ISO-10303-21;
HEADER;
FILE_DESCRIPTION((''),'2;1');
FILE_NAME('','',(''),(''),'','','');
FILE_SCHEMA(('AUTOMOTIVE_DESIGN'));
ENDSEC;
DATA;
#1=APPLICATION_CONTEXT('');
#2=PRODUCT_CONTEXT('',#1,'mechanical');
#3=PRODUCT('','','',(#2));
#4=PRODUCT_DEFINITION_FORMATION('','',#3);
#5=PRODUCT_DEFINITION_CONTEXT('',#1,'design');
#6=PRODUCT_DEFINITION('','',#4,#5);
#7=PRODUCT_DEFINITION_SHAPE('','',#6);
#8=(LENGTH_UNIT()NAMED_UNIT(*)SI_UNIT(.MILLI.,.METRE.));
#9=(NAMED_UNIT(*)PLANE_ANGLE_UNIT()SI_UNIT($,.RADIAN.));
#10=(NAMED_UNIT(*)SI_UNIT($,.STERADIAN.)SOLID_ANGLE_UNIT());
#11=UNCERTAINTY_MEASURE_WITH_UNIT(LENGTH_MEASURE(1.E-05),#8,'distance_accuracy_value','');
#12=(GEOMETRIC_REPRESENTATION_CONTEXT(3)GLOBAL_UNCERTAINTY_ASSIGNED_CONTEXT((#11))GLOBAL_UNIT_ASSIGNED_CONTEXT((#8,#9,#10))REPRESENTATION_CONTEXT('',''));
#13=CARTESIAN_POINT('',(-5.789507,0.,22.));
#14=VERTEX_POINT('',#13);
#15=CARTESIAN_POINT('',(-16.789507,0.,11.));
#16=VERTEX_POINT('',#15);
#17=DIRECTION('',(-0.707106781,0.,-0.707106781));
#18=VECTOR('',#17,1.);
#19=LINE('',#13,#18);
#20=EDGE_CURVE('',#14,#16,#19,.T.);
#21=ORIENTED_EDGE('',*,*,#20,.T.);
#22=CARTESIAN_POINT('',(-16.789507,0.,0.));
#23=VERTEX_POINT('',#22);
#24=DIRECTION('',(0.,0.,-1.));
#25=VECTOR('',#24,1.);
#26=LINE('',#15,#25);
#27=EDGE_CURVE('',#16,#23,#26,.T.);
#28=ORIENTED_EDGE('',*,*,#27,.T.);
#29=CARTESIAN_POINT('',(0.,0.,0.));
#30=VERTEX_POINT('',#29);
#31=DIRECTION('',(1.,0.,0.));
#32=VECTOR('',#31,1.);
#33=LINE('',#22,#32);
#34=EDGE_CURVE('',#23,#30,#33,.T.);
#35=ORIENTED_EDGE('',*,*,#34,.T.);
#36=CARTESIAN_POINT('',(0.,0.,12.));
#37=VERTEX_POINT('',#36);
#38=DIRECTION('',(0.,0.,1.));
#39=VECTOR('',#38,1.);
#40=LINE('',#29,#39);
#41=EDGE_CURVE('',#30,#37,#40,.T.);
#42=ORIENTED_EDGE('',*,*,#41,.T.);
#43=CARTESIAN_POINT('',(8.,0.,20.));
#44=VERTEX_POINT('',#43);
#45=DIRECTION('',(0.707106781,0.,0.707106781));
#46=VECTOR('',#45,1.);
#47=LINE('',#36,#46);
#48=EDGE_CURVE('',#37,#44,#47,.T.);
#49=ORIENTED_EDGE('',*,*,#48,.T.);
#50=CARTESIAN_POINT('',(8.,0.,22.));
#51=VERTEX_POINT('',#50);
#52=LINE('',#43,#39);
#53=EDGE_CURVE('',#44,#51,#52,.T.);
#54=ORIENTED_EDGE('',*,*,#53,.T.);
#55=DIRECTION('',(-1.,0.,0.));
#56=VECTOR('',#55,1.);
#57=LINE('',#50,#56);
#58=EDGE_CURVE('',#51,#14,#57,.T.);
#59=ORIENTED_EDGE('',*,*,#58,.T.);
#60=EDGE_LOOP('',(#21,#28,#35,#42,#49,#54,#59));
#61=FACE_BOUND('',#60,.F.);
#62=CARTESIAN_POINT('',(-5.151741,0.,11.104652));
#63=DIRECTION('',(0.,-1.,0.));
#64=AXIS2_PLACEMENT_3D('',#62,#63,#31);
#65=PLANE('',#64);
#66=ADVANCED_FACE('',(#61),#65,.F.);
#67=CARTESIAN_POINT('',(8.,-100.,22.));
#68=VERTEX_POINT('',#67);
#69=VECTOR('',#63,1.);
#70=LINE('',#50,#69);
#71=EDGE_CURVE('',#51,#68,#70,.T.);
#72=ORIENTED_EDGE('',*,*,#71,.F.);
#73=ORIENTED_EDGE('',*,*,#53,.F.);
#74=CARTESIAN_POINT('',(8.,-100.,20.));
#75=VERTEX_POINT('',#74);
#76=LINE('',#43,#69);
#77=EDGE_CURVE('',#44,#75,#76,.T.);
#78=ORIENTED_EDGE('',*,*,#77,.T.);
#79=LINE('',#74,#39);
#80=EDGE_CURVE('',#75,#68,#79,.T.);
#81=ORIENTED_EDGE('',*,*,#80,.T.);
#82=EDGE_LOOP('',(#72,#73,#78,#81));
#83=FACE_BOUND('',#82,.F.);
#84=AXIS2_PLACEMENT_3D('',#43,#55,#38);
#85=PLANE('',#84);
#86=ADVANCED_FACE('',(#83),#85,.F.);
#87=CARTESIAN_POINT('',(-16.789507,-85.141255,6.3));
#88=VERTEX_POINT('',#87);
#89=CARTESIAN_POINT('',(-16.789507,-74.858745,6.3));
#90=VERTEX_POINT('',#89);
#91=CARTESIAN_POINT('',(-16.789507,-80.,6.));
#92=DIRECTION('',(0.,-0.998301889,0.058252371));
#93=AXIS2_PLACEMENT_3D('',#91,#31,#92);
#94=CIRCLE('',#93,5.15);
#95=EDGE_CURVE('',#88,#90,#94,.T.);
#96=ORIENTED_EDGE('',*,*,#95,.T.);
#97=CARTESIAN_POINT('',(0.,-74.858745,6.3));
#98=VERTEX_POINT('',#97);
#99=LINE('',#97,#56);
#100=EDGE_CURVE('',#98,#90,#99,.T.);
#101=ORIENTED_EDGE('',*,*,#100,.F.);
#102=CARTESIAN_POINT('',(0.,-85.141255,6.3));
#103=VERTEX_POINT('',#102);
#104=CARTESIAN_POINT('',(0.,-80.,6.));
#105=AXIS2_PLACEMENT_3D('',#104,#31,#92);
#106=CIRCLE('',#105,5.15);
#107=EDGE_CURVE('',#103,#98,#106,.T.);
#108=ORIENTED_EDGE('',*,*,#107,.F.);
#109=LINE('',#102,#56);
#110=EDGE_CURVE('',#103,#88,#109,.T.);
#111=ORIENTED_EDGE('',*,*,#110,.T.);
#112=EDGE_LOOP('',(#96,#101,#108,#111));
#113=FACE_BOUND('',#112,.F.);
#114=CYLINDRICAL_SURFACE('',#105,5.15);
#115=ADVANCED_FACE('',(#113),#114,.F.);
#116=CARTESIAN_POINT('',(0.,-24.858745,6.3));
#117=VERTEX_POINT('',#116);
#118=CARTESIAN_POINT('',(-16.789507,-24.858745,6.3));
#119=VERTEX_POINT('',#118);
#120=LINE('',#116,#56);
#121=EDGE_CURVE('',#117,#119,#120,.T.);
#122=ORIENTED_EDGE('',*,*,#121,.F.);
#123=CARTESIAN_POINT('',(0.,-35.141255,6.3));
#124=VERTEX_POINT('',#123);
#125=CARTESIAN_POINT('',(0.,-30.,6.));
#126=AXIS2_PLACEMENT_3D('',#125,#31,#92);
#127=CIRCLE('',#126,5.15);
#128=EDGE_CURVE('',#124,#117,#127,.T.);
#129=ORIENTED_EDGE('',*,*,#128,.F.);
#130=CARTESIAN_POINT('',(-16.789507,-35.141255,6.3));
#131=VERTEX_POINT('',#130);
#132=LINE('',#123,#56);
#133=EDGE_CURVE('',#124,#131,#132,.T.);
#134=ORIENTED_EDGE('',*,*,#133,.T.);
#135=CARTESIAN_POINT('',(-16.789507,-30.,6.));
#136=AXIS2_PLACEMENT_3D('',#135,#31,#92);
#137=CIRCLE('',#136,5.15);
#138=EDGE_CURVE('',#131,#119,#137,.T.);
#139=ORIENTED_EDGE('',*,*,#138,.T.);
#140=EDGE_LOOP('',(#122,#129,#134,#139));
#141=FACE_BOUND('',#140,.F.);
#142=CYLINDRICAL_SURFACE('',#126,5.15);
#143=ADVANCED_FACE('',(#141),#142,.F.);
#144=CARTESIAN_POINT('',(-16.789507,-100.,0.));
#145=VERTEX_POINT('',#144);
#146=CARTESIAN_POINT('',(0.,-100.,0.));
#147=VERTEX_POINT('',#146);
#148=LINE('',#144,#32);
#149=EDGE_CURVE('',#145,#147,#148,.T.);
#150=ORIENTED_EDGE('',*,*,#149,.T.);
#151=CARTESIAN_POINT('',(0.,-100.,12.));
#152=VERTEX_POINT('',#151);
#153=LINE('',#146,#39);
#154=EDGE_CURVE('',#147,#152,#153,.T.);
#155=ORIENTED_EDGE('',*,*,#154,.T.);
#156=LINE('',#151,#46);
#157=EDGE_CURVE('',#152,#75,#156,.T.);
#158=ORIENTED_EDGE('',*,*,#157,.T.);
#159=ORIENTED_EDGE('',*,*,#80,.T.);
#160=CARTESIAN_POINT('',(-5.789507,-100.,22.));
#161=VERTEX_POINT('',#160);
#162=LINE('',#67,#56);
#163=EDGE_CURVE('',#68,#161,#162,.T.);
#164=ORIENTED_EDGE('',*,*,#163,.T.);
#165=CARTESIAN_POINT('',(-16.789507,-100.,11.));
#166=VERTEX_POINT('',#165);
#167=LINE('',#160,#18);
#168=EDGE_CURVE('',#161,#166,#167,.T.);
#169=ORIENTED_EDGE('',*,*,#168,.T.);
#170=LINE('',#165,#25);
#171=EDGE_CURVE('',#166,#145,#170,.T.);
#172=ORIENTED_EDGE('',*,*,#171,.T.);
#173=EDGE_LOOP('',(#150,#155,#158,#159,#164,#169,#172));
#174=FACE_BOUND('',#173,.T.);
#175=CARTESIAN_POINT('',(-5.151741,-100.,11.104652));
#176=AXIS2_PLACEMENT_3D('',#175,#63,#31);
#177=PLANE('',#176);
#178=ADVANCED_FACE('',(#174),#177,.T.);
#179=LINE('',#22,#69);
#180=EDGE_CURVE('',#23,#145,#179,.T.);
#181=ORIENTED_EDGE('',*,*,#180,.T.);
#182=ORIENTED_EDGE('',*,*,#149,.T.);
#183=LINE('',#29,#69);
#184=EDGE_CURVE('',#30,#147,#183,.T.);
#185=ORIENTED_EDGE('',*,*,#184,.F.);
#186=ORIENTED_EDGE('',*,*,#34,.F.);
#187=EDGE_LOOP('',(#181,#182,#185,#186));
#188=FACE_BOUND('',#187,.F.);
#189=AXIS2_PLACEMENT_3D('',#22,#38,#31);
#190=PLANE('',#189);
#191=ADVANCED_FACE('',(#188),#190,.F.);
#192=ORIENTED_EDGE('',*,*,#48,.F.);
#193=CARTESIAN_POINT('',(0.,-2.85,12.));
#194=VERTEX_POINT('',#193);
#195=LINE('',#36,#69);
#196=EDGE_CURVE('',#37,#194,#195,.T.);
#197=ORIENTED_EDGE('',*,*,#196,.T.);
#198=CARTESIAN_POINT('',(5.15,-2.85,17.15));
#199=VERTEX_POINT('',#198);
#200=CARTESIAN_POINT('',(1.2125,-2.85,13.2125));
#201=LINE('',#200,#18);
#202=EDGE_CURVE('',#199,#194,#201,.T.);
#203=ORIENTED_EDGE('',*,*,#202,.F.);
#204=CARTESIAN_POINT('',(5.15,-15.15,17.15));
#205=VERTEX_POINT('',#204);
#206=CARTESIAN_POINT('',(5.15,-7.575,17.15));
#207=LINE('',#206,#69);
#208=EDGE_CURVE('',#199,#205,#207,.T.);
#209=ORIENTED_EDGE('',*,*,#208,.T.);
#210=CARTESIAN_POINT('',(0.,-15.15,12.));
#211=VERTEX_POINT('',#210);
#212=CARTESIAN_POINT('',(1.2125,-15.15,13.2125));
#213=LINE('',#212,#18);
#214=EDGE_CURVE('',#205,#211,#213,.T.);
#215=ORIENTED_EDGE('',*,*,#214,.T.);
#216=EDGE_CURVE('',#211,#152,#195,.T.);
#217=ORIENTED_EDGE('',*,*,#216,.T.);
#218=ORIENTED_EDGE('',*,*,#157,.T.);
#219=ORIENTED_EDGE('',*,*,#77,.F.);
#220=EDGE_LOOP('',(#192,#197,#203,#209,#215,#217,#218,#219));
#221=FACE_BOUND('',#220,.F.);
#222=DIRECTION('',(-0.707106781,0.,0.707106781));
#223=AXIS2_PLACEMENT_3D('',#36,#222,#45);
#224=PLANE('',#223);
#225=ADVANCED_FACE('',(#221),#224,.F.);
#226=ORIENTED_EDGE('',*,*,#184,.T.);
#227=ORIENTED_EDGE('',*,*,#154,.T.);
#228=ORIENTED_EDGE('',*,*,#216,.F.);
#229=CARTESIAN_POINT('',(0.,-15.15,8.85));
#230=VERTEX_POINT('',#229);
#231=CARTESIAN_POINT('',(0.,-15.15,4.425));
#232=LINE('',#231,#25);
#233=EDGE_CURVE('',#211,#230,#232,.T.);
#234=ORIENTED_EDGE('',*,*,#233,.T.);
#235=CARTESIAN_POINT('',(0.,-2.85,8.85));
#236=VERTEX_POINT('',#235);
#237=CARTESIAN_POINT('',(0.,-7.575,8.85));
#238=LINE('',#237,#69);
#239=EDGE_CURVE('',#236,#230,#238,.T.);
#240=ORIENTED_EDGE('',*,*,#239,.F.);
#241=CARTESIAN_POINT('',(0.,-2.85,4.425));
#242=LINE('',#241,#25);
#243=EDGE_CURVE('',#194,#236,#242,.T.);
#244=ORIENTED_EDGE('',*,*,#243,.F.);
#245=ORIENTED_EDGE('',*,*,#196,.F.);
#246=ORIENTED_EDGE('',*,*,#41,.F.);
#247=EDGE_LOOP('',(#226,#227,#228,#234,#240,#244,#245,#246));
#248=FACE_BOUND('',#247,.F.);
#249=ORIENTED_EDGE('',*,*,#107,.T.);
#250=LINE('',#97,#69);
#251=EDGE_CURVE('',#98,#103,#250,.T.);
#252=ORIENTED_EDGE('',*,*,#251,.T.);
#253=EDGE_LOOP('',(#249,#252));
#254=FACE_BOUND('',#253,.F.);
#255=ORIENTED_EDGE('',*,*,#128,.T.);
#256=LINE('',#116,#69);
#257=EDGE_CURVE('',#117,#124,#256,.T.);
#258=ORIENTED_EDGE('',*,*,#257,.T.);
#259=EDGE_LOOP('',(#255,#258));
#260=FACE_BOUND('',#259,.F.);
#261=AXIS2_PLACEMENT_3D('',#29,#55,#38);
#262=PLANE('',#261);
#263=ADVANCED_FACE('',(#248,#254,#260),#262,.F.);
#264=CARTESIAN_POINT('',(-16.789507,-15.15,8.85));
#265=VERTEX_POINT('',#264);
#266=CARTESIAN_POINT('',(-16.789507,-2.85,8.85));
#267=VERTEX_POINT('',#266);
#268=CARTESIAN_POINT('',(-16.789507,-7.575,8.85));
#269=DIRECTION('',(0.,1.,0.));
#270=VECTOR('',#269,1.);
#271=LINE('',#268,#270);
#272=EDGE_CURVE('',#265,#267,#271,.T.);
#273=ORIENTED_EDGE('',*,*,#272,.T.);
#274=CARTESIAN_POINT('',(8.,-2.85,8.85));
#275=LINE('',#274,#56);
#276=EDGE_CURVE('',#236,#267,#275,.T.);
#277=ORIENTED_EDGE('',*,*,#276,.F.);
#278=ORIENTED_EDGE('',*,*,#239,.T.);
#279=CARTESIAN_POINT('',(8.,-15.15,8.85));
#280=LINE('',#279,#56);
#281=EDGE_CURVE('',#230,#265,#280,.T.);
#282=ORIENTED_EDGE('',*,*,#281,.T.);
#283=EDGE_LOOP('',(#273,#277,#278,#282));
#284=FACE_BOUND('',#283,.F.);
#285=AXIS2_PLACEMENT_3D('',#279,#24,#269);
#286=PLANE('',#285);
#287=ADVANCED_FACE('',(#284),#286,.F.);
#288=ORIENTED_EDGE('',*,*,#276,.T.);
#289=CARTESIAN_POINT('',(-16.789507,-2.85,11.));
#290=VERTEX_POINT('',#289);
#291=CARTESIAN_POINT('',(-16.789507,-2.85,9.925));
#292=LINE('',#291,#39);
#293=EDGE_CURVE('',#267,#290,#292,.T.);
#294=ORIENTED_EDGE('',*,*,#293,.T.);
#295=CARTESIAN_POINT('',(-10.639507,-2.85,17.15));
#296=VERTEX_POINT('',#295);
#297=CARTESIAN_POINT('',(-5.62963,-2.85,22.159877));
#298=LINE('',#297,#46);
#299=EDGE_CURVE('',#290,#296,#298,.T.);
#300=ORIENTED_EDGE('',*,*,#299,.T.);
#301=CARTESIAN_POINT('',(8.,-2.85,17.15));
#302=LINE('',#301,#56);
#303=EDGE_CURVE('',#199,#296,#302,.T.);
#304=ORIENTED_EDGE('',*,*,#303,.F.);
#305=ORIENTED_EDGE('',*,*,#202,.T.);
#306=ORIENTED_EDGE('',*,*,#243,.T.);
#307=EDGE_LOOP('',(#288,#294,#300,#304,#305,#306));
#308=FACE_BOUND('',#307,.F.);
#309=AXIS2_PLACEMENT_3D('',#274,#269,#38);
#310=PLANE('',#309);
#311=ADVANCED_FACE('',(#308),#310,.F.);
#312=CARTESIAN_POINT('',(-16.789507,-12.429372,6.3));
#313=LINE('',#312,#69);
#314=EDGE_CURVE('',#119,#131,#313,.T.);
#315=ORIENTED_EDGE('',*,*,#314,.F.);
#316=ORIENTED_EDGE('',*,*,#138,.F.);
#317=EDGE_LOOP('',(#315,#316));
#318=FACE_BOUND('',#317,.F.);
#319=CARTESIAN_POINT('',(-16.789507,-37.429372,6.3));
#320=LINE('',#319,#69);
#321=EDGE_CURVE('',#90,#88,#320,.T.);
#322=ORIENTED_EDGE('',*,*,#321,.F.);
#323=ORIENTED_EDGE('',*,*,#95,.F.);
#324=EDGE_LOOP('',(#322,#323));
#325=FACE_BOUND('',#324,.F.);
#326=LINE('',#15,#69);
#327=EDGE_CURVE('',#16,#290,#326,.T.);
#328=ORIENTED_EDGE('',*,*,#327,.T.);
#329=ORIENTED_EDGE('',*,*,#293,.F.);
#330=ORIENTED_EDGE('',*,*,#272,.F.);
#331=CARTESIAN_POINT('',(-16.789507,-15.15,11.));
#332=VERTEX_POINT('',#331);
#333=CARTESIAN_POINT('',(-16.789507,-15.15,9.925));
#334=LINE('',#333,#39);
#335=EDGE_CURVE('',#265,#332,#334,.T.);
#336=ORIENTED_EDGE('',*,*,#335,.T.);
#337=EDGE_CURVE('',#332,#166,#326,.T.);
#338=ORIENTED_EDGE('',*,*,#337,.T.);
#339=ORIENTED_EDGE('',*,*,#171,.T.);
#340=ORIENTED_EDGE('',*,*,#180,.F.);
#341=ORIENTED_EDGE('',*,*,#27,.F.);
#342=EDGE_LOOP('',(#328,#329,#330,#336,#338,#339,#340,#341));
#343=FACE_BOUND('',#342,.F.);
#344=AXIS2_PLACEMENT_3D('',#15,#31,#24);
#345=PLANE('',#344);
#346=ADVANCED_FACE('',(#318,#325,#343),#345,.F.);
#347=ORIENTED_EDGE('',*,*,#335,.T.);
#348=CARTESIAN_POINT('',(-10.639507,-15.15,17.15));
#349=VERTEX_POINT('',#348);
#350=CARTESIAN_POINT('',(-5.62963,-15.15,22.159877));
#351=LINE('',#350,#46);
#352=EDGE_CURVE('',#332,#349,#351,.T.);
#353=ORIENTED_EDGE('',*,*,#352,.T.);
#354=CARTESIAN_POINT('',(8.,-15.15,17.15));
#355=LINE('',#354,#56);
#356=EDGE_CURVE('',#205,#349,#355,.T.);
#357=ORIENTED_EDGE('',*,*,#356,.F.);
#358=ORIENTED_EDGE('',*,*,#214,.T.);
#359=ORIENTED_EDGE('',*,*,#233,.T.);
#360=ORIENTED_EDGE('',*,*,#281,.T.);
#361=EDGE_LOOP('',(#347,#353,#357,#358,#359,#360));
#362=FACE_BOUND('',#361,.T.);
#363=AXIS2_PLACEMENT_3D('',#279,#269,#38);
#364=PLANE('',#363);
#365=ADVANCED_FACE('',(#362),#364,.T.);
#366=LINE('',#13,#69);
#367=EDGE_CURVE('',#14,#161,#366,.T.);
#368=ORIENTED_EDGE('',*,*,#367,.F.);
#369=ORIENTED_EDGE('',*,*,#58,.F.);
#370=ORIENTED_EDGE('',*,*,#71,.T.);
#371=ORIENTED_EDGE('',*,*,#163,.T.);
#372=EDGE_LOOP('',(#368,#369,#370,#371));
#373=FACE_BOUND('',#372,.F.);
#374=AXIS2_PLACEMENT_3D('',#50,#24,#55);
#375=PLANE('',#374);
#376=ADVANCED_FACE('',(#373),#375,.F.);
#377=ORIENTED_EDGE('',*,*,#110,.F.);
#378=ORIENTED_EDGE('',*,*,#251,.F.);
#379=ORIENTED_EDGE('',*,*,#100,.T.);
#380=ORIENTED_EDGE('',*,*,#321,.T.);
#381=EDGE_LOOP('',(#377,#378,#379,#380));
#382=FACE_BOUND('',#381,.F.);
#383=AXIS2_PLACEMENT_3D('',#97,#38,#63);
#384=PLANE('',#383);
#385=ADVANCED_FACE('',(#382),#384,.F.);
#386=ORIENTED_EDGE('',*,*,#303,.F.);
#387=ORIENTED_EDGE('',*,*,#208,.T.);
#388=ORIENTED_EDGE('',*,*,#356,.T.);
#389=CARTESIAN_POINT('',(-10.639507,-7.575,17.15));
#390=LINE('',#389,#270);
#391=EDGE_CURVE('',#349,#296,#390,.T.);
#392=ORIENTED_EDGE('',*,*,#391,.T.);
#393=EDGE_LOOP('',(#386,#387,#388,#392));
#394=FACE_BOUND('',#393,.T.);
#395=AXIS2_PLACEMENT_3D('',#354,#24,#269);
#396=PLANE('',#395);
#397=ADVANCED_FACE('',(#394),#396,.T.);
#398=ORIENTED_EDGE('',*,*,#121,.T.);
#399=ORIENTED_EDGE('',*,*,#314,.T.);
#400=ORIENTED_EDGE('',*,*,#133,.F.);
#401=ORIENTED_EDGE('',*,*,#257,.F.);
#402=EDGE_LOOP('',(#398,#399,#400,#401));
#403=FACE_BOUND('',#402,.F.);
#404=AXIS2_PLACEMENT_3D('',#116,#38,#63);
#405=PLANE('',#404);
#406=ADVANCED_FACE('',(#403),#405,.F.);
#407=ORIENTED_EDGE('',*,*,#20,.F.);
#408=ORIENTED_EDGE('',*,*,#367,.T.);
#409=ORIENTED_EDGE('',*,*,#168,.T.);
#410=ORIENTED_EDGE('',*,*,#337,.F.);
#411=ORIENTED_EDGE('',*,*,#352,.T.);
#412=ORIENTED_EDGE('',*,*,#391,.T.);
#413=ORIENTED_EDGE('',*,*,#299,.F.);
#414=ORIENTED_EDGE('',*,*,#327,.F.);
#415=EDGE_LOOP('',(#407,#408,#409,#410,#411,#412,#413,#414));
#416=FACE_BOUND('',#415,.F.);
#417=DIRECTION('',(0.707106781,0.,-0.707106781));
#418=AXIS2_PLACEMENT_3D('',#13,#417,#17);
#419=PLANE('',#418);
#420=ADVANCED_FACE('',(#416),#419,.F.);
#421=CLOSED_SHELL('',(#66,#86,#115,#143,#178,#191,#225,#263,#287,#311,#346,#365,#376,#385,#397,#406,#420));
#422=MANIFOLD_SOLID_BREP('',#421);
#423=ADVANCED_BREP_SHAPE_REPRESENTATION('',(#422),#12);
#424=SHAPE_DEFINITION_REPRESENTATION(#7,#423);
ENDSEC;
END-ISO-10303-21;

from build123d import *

# Parameters (mm, degrees)
F1_DEPTH = 100
F3_DEPTH = 25
F4_W     = 12.3
F4_H     = 8.3
F5_DEPTH = 25


with BuildPart() as f1:
    # F0 (on Front) → F1 (new body)
    with BuildSketch(Plane.XZ):
        Polygon((-16.789507, 0), (0, 0), (0, 12), (8, 20), (8, 22), (-5.789507, 22), (-16.789507, 11), align=None)
    extrude(amount=F1_DEPTH)

    # F2 (on face) → F3 (cut)
    with BuildSketch(Plane.YZ):
        with BuildLine():
            Line((-74.858745, 6.3), (-85.141255, 6.3))
            ThreePointArc((-85.141255, 6.3), (-80, 0.85), (-74.858745, 6.3))
        make_face()
        with BuildLine():
            Line((-24.858745, 6.3), (-35.141255, 6.3))
            ThreePointArc((-35.141255, 6.3), (-30, 0.85), (-24.858745, 6.3))
        make_face()
    extrude(amount=-F3_DEPTH, mode=Mode.SUBTRACT)

    # F4 (on face) → F5 (cut)
    with BuildSketch(Plane.YZ.offset(8)):
        with Locations((-9, 13)):
            Rectangle(F4_W, F4_H)
    extrude(amount=-F5_DEPTH, mode=Mode.SUBTRACT)


solid = f1.part
